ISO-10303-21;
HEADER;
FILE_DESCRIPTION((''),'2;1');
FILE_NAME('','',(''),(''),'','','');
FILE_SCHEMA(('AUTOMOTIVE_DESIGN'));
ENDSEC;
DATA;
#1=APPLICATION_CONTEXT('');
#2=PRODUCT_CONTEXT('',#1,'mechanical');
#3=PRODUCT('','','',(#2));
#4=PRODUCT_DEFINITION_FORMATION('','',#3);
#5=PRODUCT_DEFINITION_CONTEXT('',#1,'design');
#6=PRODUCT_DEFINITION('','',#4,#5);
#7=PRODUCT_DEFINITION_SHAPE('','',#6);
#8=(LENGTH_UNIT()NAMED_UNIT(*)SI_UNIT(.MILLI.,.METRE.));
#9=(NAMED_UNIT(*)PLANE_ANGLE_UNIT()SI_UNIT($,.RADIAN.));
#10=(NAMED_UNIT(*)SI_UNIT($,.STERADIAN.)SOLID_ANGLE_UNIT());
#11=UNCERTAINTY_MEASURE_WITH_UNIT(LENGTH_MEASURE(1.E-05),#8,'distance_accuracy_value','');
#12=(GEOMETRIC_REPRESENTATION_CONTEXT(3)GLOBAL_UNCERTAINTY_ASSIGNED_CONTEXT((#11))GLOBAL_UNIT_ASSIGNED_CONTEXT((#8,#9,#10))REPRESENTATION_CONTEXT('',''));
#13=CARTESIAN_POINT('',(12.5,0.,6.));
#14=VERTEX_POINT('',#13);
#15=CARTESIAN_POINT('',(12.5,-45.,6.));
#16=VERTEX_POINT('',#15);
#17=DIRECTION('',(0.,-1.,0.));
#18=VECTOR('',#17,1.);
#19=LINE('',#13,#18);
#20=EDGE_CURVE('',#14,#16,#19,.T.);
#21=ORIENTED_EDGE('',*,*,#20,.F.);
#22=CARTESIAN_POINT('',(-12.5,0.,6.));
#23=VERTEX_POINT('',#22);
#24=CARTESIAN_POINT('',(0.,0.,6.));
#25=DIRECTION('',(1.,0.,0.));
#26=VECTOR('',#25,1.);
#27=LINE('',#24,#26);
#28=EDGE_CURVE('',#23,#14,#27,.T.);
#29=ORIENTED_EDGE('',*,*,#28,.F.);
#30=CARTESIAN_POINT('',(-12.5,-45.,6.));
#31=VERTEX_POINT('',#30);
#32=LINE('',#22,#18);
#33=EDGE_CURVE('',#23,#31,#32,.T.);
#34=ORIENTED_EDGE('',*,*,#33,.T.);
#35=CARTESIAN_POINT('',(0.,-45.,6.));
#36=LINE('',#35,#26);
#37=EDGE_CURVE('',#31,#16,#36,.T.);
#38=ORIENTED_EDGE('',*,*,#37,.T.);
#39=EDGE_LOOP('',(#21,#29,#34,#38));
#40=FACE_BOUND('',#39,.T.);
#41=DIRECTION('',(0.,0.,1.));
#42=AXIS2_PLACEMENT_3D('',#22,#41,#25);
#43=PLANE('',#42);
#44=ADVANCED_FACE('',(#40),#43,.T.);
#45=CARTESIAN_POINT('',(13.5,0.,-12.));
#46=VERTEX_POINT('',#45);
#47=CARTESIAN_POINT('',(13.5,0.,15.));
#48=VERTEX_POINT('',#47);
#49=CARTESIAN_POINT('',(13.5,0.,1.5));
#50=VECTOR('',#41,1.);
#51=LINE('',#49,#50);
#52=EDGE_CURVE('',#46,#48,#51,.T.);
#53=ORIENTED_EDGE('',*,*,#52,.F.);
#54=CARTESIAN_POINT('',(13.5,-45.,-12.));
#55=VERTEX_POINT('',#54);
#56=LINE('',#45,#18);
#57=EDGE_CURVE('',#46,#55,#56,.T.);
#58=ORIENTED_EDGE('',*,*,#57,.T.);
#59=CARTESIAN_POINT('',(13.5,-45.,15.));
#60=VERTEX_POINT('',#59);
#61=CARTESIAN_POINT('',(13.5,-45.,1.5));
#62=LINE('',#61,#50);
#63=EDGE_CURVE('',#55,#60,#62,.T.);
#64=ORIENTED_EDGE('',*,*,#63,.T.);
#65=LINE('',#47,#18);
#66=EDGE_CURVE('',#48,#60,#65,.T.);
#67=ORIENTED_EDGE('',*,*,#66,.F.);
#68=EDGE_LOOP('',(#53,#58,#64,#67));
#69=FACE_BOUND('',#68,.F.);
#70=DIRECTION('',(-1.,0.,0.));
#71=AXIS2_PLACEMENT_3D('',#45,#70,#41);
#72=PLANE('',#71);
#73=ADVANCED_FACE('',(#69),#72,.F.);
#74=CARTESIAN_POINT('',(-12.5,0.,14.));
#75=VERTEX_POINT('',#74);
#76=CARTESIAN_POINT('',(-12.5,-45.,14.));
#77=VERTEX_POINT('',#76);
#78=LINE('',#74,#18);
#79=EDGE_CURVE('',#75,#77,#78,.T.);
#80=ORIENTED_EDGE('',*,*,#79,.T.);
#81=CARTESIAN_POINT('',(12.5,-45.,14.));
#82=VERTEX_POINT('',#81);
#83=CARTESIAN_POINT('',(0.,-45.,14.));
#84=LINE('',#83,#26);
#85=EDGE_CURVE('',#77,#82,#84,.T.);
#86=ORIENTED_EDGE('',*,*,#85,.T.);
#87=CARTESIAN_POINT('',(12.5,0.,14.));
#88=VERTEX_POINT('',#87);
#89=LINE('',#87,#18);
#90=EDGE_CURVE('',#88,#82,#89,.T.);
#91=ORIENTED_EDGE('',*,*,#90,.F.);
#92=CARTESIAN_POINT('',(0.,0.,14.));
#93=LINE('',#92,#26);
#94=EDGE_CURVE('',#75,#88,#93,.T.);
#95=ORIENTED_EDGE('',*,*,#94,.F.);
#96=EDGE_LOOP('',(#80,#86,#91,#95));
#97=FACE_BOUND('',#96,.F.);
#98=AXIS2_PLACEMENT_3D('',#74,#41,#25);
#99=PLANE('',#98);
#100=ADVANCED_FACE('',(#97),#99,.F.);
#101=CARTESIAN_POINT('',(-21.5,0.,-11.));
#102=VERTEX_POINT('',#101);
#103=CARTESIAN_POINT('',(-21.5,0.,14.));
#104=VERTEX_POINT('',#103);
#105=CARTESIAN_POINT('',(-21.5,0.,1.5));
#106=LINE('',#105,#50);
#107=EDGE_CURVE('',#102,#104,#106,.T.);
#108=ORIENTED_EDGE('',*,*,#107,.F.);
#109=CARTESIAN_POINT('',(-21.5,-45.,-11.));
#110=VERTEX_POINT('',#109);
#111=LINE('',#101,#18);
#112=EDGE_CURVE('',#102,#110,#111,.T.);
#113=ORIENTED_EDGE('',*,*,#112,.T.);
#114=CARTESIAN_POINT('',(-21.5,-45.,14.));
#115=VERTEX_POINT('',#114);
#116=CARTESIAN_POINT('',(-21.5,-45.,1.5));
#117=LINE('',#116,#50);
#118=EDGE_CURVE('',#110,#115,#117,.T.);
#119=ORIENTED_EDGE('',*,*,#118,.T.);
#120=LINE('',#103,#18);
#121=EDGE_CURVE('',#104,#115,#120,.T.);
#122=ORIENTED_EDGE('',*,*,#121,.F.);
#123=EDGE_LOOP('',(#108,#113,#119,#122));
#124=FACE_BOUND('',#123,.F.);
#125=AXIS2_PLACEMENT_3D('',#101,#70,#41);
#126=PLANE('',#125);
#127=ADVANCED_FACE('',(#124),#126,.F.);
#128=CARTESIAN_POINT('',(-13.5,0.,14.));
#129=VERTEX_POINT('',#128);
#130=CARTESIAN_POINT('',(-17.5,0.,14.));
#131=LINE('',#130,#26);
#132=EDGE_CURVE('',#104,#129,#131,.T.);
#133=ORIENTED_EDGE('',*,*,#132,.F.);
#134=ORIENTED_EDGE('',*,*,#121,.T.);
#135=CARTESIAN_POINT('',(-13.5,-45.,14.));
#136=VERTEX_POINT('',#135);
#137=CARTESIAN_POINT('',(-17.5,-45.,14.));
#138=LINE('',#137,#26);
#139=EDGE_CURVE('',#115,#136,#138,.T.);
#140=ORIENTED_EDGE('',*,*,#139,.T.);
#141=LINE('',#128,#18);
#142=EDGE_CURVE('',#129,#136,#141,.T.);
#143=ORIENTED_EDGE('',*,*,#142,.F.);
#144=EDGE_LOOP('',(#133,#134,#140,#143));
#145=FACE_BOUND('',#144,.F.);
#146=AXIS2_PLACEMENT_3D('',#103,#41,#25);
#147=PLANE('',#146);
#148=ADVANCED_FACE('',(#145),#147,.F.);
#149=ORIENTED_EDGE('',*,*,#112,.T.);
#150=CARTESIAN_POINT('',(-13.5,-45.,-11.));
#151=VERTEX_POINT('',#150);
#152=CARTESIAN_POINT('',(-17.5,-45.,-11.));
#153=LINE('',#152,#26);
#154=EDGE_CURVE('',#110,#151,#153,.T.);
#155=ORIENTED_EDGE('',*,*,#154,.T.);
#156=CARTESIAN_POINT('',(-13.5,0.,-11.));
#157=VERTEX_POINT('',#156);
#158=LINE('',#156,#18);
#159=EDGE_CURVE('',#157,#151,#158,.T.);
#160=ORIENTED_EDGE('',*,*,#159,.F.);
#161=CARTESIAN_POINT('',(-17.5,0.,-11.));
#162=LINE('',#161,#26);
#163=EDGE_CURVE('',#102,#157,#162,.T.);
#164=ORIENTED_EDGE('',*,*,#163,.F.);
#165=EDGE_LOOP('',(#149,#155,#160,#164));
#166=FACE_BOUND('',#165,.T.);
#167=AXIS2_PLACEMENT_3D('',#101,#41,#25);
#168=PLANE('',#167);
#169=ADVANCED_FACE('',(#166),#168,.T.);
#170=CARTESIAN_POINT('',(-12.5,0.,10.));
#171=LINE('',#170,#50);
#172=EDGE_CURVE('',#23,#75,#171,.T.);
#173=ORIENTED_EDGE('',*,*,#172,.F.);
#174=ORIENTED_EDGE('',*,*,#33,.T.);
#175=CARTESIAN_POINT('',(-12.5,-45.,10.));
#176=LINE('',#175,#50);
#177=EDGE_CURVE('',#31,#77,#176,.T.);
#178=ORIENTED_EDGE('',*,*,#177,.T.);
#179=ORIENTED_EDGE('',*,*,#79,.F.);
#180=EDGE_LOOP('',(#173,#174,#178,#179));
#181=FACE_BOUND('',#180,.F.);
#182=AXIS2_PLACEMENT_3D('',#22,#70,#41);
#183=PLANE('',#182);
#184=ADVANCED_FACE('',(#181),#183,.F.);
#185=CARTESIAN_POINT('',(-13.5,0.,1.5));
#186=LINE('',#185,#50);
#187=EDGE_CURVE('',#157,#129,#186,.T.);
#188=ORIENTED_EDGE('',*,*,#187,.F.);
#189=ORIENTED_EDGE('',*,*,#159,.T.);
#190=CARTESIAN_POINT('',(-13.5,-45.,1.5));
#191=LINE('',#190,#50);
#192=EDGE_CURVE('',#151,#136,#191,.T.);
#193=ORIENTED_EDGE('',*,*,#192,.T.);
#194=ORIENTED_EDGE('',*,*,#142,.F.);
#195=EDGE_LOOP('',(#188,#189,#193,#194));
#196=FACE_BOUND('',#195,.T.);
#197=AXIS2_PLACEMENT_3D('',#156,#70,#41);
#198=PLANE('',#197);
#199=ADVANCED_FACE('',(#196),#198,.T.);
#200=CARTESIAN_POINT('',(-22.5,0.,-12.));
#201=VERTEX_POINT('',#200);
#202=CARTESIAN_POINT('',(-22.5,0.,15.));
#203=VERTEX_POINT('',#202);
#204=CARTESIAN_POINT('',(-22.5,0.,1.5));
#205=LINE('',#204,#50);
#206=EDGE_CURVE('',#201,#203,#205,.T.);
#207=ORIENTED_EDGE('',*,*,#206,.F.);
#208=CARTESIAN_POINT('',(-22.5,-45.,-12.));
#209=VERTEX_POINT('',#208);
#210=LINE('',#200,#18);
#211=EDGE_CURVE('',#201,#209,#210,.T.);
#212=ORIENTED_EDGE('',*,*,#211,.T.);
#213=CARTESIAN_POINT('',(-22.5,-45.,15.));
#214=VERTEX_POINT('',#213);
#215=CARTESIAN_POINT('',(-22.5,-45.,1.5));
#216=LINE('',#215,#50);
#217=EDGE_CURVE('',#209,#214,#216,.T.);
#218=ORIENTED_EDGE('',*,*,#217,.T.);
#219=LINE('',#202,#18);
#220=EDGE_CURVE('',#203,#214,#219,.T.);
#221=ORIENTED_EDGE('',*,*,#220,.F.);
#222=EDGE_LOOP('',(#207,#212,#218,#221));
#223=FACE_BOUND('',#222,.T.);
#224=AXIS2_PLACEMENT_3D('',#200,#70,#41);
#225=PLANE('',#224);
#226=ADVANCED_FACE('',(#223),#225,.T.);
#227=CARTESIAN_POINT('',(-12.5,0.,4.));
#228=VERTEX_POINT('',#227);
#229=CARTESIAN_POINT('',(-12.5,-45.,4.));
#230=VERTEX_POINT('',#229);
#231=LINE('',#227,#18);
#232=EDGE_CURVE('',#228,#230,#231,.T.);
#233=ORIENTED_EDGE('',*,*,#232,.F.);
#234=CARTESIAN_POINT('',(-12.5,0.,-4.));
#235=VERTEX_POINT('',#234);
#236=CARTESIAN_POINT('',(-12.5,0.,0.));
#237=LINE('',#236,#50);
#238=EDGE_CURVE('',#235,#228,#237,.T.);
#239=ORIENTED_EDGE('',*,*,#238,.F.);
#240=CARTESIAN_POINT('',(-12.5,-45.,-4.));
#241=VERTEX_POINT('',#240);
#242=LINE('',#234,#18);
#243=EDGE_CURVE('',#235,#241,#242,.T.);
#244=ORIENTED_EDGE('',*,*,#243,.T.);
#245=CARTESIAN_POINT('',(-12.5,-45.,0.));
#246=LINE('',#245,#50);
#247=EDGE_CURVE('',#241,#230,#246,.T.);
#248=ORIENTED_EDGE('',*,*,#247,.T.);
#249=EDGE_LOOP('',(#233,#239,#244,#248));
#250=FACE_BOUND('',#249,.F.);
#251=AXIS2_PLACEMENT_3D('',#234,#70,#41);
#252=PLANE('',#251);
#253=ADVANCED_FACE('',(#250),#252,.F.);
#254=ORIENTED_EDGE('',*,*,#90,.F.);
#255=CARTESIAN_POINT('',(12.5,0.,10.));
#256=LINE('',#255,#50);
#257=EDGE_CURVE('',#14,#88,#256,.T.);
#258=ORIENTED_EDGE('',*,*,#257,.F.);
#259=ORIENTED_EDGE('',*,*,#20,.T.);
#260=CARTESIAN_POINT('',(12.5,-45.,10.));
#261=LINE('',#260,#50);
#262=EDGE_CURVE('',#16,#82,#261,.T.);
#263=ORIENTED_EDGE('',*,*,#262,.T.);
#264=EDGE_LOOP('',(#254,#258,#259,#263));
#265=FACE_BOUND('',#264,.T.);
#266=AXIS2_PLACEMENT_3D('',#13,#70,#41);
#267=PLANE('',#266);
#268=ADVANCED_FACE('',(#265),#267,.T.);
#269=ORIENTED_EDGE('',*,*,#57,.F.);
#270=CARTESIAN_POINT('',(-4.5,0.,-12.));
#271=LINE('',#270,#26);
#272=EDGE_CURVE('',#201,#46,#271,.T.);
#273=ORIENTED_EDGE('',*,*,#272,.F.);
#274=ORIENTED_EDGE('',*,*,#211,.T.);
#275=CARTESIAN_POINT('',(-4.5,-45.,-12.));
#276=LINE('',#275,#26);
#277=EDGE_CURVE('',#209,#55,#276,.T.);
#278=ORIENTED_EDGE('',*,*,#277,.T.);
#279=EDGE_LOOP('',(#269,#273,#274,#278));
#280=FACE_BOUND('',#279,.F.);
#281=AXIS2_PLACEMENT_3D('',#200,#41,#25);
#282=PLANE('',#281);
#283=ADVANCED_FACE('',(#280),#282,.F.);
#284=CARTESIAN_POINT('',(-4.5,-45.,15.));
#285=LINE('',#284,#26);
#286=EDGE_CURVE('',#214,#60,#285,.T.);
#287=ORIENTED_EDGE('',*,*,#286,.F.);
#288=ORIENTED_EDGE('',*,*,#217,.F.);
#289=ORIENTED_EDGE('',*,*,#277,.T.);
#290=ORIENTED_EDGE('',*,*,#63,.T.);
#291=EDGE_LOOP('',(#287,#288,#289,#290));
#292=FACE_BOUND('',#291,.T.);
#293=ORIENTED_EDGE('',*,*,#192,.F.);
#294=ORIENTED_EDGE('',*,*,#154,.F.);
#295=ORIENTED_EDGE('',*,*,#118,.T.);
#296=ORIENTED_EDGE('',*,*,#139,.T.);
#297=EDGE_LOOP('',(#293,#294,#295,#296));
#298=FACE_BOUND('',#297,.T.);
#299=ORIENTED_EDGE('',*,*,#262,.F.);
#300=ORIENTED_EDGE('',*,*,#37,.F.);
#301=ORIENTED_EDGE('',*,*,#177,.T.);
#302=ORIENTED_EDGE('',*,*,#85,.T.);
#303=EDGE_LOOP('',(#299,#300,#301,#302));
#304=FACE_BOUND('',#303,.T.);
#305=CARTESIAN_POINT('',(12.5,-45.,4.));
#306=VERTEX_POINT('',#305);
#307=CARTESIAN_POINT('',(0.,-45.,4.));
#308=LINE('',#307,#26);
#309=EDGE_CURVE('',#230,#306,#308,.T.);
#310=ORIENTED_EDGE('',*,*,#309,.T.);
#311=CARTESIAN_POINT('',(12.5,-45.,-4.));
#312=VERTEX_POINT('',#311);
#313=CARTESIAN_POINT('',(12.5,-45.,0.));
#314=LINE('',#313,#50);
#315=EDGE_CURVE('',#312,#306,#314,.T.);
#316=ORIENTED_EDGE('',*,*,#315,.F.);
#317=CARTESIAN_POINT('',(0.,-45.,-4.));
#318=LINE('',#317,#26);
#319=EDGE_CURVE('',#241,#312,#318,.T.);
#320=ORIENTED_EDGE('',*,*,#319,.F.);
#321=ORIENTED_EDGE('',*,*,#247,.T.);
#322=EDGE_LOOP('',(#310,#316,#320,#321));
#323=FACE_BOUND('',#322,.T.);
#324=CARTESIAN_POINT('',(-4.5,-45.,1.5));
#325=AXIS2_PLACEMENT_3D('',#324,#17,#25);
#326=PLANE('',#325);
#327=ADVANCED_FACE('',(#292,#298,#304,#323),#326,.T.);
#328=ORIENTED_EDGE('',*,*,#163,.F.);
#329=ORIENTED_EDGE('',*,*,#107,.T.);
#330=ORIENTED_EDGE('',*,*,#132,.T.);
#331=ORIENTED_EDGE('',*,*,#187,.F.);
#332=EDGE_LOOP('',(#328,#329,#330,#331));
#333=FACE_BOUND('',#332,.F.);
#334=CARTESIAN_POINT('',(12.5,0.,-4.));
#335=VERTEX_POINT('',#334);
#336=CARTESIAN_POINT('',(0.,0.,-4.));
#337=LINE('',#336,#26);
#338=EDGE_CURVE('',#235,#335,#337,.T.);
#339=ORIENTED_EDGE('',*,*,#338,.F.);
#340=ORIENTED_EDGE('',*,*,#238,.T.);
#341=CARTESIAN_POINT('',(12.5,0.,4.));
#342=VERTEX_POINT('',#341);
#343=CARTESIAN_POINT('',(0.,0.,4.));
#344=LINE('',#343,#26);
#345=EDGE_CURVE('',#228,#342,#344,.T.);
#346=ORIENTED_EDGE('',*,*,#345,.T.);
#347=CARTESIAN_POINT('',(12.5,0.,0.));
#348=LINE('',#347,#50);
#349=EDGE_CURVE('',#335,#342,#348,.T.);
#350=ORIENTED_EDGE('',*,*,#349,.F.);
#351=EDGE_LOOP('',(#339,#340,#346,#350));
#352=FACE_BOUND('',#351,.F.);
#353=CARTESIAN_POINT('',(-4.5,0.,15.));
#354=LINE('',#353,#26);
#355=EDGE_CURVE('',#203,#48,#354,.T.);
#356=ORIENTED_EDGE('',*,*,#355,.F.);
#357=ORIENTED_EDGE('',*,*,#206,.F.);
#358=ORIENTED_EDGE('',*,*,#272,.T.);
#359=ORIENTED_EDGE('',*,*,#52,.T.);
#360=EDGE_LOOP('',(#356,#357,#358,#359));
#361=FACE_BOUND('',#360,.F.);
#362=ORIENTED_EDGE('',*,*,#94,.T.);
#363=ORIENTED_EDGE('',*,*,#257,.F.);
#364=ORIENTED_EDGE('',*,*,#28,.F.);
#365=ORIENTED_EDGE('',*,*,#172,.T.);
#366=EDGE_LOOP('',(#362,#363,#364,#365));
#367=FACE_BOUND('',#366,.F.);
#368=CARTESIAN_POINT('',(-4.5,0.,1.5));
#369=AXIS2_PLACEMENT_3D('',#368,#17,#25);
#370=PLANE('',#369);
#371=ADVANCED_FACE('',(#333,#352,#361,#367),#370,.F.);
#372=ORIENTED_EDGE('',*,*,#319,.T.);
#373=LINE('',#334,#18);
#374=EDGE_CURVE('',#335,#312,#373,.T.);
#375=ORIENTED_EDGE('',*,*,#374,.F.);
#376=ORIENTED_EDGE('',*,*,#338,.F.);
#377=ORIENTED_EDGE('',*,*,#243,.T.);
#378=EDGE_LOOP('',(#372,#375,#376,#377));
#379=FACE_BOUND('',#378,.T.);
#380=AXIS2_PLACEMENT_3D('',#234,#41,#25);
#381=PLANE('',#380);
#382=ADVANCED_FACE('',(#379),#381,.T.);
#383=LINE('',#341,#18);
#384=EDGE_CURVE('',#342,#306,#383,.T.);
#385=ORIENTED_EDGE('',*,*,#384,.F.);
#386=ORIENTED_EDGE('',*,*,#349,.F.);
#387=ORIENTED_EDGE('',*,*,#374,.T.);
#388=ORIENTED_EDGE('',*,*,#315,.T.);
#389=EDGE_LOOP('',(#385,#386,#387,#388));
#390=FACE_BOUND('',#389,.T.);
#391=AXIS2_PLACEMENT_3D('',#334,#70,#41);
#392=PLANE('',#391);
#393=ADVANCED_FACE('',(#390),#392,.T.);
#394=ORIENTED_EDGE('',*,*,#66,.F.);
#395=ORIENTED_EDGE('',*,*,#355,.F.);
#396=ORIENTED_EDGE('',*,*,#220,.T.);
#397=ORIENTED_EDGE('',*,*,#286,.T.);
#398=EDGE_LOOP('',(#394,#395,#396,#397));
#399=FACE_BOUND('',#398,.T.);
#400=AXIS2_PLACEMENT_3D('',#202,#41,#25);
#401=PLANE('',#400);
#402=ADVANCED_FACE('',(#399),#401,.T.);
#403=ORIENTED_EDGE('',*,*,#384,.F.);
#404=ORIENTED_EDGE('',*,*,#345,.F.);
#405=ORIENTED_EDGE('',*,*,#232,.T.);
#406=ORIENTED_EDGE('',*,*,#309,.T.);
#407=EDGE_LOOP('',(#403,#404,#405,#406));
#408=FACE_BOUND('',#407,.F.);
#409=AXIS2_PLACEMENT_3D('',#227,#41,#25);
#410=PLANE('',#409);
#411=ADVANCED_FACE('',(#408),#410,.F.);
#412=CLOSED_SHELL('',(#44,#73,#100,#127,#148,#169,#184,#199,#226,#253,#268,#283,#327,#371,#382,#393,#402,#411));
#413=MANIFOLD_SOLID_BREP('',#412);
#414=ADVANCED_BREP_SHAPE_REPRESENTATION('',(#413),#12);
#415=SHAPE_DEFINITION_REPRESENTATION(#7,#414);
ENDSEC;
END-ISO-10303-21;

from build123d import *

# Parameters (mm, degrees)
F0_W     = 36
F0_H     = 27
F0_W_2   = 25
F0_H_2   = 8
F0_W_3   = 8
F0_H_3   = 25
F1_DEPTH = 45


with BuildPart() as f1:
    # F0 (on Front) → F1 (new body)
    with BuildSketch(Plane.XZ):
        with Locations((-4.5, 1.5)):
            Rectangle(F0_W, F0_H)
        Rectangle(F0_W_2, F0_H_2, mode=Mode.SUBTRACT)
        with Locations((-17.5, 1.5)):
            Rectangle(F0_W_3, F0_H_3, mode=Mode.SUBTRACT)
        with Locations((0, 10)):
            Rectangle(F0_W_2, F0_H_2, mode=Mode.SUBTRACT)
    extrude(amount=F1_DEPTH)


solid = f1.part
